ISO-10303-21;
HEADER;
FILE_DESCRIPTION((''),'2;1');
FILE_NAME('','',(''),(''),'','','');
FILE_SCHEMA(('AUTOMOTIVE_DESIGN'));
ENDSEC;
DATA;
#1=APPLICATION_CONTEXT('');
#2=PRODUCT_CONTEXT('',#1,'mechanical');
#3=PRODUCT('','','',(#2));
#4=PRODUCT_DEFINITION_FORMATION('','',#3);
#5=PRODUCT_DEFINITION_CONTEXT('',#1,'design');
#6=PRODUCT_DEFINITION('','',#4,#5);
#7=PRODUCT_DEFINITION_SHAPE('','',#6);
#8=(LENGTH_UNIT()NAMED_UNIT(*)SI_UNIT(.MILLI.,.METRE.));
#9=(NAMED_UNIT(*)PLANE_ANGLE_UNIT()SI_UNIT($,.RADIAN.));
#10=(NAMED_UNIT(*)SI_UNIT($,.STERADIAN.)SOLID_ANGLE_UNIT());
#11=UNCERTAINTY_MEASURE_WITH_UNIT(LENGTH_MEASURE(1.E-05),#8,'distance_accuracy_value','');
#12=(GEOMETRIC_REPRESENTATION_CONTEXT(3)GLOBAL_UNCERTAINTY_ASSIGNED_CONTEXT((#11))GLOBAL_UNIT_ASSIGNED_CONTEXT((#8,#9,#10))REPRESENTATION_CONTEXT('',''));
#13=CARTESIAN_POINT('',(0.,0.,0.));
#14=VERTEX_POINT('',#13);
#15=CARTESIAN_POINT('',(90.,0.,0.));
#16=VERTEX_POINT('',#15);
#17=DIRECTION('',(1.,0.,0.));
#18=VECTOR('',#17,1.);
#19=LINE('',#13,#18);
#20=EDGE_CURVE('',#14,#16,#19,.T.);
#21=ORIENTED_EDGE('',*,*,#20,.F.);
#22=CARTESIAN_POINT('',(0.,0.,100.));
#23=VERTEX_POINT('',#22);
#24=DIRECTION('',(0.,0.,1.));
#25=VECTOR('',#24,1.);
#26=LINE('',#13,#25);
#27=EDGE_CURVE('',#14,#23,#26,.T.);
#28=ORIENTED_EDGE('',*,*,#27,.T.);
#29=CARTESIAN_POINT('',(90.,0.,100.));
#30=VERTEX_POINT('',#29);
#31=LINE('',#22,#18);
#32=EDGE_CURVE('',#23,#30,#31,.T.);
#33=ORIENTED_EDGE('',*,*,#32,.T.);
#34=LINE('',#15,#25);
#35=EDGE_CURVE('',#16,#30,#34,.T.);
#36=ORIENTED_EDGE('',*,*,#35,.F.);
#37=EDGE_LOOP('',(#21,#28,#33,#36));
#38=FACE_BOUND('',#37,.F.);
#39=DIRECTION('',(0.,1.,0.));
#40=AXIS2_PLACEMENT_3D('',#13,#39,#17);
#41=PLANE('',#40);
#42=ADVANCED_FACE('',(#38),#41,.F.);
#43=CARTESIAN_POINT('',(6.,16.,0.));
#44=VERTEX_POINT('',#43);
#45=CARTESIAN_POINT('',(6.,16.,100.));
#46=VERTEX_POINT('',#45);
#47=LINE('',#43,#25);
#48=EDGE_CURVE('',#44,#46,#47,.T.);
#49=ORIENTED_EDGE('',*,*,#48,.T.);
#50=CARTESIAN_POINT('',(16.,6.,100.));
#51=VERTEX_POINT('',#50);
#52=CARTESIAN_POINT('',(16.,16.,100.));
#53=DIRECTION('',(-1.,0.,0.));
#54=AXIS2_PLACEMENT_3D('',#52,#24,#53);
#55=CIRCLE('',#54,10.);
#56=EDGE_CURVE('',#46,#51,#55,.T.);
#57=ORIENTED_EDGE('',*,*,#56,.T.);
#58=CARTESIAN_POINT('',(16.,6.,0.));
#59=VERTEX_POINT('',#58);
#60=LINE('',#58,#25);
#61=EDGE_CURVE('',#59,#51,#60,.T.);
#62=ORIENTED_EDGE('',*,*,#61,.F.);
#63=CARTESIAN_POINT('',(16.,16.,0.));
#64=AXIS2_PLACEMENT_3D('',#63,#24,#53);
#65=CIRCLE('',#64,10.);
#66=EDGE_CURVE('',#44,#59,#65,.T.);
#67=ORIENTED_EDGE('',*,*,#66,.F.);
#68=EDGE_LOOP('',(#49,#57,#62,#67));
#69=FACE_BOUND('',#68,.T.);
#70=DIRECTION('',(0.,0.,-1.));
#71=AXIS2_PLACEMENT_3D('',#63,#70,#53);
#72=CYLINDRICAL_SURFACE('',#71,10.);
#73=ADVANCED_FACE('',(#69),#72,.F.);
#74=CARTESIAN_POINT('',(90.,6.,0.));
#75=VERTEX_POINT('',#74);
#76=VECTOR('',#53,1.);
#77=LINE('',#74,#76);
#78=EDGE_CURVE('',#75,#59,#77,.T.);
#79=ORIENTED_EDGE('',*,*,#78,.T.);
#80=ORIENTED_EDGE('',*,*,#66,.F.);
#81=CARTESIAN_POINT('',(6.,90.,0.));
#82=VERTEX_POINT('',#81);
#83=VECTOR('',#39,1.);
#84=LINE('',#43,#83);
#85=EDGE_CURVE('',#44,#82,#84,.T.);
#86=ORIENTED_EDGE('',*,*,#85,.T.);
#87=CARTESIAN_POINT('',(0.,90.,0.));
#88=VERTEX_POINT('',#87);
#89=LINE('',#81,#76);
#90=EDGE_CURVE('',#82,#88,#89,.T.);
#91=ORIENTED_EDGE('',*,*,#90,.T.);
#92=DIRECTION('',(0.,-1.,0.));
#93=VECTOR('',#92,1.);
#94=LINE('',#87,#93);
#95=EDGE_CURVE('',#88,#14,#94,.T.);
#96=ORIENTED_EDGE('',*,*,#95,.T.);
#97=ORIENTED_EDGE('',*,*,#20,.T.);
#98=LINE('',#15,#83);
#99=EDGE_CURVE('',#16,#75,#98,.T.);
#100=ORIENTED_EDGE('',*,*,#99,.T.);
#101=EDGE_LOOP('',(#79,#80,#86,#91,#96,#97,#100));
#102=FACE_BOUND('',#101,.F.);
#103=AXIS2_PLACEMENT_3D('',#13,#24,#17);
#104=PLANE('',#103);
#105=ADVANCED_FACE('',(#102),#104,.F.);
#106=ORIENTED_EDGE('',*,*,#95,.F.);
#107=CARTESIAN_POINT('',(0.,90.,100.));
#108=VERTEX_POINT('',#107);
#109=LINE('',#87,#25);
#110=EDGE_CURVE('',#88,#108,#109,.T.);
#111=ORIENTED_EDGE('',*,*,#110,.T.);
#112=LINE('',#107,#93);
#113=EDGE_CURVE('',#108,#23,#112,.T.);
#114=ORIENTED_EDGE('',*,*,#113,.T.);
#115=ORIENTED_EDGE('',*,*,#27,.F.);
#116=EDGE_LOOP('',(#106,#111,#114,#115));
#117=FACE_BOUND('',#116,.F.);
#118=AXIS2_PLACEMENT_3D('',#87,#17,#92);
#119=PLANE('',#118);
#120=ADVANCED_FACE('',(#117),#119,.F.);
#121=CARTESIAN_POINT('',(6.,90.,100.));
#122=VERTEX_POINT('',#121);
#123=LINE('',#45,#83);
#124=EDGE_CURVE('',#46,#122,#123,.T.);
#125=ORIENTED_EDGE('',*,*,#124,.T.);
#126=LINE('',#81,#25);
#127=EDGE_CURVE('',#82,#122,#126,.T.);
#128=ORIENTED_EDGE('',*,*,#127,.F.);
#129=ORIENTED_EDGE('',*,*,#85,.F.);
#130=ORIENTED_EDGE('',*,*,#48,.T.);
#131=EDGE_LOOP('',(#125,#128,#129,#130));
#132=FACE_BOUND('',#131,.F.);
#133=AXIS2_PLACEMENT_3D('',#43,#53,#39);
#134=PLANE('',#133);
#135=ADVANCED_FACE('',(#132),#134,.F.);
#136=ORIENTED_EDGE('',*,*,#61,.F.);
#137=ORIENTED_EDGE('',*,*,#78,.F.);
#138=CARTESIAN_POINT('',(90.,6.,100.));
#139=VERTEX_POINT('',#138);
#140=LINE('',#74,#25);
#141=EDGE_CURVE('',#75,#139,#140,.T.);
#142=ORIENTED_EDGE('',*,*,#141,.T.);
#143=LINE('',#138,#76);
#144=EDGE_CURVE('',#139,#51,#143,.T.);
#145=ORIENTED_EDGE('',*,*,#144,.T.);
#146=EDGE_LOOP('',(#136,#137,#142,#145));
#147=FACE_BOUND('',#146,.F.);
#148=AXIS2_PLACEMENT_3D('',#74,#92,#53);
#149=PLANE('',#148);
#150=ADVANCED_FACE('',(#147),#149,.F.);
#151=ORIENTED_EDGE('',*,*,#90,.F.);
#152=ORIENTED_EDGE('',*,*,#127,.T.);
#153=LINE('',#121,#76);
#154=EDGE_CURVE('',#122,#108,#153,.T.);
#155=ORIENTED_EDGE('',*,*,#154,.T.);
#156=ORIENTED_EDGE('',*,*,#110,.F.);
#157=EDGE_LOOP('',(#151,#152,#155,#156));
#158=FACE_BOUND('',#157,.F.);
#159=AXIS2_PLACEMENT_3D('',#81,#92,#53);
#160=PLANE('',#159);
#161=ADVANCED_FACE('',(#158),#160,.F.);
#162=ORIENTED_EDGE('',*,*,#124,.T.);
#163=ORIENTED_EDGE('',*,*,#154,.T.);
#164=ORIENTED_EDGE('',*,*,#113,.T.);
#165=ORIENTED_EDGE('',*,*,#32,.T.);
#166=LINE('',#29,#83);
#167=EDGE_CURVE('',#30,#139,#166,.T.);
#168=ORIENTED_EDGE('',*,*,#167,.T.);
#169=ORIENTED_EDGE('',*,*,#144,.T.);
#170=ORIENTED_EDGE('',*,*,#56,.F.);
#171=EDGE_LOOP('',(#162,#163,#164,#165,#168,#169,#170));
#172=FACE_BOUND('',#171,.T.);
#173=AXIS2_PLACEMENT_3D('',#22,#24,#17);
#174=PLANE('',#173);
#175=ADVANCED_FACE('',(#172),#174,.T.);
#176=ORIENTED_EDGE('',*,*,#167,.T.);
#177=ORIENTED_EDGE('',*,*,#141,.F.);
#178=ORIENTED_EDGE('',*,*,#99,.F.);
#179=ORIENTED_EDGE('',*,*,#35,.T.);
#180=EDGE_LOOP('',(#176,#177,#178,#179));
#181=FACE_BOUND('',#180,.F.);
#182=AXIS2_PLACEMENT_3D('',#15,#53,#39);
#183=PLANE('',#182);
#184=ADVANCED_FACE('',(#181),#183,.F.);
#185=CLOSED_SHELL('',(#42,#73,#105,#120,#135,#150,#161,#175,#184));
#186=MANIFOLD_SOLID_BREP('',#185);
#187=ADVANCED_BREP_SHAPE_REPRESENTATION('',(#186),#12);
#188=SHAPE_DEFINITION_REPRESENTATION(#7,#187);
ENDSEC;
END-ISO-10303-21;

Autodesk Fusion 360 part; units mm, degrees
sketch "スケッチ1" plane through (0, 0, 0) normal (0, 0, 1) x (1, 0, 0)
  line L0 (90, 6) -> (16, 6)
  line L1 (0, 0) -> (90, 0)
  line L2 (0, 90) -> (0, 0)
  line L3 (6, 16) -> (6, 90)
  arc A0 (6, 16) -> (16, 6) centre (16, 16) ccw
  line L4 (6, 90) -> (0, 90)
  line L5 (90, 0) -> (90, 6)
extrude "押し出し1" add sketch "スケッチ1" along normal blind 100
